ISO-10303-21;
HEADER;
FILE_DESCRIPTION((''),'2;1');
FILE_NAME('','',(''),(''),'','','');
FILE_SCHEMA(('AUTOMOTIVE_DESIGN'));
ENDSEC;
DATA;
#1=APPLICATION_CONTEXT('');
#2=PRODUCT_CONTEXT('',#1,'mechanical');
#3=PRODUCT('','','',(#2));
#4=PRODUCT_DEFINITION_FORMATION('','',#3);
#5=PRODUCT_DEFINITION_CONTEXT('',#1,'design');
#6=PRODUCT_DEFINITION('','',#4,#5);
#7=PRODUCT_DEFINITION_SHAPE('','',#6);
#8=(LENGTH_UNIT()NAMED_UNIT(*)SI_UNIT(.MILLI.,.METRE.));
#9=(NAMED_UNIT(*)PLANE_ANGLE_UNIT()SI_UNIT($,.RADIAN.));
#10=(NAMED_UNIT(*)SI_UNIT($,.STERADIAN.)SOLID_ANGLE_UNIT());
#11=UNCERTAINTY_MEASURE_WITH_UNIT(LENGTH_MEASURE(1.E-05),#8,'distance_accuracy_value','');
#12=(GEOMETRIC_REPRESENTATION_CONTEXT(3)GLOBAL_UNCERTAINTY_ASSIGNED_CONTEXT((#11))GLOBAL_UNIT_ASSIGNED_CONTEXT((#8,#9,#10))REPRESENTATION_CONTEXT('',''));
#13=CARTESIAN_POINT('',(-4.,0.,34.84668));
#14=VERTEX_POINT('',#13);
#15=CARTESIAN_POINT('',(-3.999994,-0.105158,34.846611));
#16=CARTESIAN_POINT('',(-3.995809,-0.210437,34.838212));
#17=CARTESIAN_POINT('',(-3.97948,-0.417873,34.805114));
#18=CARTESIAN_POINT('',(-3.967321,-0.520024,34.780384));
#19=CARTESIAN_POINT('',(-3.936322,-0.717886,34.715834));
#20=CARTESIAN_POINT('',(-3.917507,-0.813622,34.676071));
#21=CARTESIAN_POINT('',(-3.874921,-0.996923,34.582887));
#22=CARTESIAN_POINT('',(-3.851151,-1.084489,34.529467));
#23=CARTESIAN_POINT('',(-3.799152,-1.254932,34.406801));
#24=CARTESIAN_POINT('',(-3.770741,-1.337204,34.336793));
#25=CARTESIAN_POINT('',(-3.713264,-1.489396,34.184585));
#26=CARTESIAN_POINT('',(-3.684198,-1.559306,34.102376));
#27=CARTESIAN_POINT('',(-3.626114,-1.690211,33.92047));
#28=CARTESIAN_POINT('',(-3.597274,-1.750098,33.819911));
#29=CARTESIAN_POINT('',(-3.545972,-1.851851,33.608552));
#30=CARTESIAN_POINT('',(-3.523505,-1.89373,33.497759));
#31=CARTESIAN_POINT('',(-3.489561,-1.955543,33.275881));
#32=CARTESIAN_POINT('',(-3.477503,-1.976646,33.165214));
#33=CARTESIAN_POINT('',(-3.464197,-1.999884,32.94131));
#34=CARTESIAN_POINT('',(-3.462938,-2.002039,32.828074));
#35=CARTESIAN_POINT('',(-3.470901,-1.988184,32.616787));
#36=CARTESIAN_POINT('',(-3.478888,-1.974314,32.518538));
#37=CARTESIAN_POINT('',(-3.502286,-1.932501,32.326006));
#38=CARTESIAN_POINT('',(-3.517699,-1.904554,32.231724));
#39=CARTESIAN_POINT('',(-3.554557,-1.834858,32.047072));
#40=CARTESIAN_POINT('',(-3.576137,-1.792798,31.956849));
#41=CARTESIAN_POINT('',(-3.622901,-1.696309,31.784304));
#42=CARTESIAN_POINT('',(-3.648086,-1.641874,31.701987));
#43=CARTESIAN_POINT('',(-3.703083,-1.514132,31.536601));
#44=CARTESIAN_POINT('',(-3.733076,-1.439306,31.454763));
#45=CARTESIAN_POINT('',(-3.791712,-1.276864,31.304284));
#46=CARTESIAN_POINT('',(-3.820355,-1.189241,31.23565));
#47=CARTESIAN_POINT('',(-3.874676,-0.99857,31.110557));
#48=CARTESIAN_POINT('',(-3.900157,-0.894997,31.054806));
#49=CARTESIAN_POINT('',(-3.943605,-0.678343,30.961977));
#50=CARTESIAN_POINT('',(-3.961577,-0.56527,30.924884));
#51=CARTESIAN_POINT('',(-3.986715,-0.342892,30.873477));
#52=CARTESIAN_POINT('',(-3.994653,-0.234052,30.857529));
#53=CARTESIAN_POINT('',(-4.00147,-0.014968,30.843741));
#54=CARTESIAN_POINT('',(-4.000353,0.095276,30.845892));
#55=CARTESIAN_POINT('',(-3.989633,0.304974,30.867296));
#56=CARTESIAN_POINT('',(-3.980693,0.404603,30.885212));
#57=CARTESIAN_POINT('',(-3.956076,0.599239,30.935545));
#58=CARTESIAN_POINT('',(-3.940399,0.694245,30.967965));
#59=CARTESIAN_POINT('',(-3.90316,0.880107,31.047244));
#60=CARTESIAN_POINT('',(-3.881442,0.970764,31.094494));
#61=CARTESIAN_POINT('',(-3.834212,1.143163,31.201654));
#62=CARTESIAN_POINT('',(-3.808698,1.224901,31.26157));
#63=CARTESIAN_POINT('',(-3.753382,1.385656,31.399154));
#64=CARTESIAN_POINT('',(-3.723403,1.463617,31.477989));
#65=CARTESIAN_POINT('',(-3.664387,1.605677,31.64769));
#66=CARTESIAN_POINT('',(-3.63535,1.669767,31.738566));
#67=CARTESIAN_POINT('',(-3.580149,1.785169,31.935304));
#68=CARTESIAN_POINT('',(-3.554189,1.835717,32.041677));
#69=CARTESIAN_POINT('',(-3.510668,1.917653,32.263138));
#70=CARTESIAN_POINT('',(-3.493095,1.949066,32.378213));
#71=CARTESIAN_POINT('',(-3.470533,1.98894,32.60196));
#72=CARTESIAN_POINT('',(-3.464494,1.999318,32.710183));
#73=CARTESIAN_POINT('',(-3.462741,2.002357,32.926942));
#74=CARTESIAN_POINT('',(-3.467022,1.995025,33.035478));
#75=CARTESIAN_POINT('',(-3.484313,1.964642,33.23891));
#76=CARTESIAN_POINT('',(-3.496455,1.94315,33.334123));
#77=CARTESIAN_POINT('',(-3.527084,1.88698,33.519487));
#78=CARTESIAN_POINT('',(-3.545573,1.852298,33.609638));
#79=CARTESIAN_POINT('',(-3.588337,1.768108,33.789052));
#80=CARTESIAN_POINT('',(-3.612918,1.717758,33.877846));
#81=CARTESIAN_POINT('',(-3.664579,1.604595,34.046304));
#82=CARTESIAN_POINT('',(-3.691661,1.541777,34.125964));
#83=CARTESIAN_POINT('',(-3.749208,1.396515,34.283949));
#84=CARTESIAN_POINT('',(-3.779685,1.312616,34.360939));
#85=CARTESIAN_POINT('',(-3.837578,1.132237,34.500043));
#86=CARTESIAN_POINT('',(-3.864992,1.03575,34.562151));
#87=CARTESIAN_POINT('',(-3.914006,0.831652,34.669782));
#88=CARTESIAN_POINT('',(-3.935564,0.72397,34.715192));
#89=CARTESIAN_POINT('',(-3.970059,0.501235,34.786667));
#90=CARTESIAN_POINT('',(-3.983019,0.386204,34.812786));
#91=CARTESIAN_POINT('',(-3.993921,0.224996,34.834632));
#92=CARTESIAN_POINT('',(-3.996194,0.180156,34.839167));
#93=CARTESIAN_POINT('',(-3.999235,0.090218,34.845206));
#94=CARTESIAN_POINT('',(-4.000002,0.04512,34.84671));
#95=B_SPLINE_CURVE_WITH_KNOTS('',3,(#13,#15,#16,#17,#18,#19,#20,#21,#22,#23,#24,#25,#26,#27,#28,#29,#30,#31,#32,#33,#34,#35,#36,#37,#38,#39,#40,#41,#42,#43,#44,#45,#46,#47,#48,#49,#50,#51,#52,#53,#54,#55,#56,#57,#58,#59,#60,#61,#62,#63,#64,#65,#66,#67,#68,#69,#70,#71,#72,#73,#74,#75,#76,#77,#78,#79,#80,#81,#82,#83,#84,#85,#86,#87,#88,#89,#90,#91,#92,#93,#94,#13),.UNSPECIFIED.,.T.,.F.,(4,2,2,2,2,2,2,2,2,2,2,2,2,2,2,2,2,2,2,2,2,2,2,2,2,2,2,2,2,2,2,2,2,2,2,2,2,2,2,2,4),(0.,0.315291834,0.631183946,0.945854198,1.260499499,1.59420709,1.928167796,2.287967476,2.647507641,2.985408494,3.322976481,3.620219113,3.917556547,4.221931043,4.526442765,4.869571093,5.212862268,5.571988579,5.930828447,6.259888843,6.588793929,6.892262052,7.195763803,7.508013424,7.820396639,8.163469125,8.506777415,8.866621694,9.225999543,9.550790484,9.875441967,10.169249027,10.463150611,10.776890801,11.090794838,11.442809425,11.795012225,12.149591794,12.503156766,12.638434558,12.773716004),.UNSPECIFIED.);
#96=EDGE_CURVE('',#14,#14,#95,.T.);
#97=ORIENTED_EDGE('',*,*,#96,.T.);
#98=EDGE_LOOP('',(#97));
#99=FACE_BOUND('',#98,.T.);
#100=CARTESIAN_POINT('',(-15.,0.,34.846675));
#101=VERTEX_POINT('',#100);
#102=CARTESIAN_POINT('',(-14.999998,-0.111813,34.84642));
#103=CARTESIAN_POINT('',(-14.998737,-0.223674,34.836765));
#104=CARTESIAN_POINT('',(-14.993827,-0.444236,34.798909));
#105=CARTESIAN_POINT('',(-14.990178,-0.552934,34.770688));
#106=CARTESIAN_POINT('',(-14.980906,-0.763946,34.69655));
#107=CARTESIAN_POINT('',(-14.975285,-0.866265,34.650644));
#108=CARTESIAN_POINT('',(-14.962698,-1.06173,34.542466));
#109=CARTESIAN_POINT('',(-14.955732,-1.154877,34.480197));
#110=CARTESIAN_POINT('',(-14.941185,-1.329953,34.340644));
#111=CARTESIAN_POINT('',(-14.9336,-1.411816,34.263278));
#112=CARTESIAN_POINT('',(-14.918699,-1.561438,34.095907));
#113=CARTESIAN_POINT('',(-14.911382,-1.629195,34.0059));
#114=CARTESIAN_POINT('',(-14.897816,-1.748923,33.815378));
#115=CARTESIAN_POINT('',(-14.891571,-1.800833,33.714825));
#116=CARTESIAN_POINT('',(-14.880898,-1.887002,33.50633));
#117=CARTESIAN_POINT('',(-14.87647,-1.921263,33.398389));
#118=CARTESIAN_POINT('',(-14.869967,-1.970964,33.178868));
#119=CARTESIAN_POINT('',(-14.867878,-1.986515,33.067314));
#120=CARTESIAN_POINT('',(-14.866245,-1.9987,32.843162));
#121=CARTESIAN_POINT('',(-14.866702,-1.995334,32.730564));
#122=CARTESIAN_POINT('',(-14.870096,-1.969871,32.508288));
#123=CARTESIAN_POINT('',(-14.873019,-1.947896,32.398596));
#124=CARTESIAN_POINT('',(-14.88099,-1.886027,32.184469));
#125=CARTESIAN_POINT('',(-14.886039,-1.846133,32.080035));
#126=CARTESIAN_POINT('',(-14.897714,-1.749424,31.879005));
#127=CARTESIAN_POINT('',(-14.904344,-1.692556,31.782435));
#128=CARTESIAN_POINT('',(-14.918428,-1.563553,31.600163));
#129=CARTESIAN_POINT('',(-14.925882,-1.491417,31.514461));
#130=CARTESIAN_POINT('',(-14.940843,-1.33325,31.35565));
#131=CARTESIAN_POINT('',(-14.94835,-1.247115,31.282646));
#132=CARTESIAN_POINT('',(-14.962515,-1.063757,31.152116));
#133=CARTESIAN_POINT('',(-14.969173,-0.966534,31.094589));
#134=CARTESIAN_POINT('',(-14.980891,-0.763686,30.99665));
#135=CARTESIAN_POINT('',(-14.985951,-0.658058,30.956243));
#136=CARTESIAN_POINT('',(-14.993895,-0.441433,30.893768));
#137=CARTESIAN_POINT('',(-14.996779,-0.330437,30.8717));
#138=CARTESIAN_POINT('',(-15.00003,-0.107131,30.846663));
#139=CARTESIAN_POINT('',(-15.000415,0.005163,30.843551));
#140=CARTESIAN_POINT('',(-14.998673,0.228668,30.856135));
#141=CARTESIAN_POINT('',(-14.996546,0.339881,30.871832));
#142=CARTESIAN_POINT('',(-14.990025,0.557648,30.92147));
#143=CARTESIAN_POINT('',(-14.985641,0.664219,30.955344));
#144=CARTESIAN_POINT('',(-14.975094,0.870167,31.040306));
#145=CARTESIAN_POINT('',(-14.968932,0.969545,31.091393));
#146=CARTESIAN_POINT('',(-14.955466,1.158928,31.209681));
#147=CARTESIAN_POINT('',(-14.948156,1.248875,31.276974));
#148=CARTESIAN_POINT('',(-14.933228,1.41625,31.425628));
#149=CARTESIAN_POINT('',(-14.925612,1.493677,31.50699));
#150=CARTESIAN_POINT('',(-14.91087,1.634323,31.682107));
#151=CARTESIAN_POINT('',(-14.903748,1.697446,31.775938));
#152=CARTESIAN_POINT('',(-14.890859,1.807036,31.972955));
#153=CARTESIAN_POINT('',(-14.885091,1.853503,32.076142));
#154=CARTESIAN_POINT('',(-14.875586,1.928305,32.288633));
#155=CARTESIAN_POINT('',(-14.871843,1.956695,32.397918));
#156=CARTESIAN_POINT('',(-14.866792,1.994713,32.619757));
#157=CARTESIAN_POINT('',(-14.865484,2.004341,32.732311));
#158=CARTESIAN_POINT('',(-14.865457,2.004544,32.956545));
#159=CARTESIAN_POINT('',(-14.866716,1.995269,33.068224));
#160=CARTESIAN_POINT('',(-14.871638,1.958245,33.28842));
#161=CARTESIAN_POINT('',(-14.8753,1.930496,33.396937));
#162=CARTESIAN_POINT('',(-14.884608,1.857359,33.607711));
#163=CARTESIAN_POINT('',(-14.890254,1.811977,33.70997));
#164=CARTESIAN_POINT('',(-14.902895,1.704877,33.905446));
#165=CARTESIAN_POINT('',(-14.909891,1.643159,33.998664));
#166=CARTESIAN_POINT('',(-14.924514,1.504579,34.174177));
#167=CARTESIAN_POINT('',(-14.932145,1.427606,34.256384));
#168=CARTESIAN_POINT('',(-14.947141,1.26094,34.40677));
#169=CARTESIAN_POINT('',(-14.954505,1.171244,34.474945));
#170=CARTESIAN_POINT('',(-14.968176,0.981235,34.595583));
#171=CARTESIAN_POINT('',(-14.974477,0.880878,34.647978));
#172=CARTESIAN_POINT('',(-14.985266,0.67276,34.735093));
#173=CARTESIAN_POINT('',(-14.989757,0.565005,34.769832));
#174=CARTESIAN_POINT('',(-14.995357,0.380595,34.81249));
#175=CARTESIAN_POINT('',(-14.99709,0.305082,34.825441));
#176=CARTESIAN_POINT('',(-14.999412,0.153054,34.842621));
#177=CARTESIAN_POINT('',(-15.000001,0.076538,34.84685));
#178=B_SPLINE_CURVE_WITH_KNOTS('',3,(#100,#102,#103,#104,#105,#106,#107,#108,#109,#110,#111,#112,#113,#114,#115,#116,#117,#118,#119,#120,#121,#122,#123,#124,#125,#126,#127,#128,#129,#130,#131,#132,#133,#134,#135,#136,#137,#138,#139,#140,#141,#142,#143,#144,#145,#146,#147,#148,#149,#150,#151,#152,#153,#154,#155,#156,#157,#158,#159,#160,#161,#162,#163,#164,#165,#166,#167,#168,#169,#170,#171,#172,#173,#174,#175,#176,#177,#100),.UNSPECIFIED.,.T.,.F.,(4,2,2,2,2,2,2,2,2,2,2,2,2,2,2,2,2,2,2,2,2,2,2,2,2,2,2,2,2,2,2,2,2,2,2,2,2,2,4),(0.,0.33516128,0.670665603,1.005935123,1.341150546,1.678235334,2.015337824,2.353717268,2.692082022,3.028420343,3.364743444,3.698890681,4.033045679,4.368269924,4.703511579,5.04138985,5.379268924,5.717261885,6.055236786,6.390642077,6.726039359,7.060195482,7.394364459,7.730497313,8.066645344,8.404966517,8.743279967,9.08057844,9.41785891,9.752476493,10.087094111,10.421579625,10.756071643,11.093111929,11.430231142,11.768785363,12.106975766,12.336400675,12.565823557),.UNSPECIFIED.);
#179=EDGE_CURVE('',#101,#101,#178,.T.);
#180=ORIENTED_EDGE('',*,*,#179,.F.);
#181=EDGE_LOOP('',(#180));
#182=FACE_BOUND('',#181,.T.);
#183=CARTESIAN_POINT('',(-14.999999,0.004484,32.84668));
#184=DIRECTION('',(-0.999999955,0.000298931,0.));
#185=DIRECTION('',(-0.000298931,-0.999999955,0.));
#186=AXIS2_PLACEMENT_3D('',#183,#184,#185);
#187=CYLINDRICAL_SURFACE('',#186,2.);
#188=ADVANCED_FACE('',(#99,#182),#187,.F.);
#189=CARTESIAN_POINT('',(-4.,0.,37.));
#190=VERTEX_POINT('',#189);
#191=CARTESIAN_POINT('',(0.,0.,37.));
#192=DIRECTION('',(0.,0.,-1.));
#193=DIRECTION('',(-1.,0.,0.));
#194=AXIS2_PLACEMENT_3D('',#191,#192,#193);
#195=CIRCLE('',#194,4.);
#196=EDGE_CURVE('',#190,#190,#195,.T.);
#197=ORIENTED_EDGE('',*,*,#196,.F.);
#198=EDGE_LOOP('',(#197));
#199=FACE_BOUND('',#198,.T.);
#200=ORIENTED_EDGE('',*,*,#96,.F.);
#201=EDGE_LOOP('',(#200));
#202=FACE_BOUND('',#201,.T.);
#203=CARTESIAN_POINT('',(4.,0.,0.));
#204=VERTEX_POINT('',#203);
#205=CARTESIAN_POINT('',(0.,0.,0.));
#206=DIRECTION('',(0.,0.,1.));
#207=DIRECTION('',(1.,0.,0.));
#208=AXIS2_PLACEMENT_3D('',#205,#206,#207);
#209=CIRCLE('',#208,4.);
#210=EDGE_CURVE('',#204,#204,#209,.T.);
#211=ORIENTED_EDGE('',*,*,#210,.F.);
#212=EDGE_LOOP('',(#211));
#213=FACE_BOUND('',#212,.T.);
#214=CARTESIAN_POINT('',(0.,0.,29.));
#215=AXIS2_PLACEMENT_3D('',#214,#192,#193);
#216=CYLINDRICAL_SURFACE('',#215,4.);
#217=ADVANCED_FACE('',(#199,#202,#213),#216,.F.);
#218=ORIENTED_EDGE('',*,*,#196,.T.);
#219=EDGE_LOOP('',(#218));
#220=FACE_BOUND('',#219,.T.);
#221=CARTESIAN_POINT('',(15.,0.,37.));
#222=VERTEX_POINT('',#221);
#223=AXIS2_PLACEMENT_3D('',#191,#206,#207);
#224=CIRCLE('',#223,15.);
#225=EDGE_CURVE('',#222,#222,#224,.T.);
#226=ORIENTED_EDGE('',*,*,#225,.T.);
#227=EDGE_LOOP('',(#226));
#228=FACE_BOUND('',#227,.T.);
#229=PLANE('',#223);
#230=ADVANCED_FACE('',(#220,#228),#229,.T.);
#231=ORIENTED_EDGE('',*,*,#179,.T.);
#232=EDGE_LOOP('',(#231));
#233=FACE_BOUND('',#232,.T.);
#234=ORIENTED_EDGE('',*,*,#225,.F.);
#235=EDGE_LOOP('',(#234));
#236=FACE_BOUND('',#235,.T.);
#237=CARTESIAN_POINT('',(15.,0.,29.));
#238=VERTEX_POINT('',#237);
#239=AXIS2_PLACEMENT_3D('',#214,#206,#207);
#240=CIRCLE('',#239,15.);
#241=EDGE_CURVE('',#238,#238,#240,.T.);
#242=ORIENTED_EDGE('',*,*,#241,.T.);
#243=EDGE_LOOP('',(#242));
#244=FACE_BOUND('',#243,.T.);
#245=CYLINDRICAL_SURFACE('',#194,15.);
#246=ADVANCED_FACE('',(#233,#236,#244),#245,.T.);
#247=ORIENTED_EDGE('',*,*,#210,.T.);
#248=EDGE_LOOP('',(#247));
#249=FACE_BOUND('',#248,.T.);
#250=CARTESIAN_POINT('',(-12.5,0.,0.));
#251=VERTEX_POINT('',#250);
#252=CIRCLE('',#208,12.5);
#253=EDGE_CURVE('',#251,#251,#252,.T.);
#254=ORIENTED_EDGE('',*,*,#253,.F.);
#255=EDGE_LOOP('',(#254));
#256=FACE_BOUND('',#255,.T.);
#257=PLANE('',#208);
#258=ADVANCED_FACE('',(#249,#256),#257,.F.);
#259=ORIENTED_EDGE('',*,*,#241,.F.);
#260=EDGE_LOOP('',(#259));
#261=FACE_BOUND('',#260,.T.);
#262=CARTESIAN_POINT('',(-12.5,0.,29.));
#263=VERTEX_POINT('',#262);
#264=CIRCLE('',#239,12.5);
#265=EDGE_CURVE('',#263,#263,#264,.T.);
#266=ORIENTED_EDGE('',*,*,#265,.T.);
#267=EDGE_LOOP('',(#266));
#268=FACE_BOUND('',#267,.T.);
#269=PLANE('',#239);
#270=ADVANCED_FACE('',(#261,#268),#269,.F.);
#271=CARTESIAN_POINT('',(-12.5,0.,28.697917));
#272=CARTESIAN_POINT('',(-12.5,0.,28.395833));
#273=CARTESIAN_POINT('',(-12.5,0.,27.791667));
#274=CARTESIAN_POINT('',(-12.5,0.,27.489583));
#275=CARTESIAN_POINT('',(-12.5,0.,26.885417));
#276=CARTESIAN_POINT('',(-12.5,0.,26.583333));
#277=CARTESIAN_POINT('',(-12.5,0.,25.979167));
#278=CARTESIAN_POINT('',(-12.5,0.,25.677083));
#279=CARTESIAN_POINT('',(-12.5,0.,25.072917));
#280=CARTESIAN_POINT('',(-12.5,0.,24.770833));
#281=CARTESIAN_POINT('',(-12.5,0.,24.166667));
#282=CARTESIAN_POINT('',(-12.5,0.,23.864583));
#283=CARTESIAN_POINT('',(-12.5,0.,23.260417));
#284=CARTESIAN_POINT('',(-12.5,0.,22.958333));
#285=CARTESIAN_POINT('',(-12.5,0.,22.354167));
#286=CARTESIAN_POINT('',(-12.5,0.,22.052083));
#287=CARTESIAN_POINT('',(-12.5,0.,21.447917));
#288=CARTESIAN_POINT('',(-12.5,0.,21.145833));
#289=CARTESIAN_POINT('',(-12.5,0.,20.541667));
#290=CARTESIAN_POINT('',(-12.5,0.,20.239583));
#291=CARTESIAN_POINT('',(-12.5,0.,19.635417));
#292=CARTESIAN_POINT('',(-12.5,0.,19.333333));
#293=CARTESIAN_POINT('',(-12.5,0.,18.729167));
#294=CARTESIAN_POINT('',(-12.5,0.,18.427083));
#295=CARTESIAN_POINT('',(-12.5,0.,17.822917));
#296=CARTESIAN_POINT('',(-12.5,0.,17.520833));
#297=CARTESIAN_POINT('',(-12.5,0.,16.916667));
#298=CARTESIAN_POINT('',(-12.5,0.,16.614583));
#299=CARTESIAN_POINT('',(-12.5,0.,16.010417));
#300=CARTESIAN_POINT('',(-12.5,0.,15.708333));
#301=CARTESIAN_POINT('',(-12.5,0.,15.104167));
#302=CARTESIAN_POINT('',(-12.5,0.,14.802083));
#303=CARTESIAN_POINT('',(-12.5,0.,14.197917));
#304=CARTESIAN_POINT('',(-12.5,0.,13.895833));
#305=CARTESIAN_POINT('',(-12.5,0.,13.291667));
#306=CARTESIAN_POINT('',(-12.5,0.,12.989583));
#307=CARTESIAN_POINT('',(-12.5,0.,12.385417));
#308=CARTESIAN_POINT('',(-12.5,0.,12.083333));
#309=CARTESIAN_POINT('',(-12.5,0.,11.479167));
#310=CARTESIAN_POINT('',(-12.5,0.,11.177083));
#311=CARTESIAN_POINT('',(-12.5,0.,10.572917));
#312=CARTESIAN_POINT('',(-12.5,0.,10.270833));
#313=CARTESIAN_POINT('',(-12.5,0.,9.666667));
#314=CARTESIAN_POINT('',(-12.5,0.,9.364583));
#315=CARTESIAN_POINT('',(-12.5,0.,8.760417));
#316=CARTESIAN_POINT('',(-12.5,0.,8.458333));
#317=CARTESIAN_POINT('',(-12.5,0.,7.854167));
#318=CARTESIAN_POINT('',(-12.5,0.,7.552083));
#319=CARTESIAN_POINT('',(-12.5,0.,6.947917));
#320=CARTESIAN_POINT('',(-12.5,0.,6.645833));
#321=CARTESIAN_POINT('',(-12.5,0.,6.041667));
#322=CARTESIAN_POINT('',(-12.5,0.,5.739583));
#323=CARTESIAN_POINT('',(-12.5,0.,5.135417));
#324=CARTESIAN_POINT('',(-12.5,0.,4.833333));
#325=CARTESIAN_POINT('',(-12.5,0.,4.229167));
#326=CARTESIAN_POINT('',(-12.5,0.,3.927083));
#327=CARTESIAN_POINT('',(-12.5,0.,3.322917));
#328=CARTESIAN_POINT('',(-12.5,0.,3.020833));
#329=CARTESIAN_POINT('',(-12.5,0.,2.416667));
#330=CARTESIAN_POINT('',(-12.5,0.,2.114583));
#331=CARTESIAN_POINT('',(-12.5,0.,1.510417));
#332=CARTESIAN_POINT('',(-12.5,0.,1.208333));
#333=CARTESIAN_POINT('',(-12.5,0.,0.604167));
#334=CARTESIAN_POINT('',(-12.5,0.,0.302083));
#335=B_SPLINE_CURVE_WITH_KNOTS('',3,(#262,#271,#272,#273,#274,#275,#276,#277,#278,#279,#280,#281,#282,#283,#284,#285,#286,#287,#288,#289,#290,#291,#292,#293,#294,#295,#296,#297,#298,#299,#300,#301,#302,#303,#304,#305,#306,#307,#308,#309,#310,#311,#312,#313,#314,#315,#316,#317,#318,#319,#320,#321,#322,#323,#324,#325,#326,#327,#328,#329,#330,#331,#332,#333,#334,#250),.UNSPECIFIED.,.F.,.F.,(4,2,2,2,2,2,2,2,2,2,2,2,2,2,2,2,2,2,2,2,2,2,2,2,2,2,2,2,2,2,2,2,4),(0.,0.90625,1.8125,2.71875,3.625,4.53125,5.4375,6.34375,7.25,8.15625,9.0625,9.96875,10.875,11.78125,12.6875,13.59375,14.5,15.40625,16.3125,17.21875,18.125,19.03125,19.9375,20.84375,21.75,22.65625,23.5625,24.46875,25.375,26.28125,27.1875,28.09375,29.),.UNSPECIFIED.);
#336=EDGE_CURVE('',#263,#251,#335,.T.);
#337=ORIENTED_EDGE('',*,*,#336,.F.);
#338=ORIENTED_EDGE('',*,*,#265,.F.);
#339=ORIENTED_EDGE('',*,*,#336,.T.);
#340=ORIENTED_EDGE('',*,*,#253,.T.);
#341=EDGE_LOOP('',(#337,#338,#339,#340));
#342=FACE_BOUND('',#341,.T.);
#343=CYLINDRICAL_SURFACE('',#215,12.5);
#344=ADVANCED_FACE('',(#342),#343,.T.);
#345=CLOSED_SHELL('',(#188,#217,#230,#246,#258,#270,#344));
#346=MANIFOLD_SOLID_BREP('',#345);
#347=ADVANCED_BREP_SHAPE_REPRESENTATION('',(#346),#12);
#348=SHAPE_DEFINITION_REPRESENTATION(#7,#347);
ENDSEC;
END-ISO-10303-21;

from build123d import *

# Parameters (mm, degrees)
SKETCH1_R                  = 12.5
SKETCH1_R_2                = 4
BOSS_EXTRUDE1_DEPTH        = 29
SKETCH2_R                  = 15
BOSS_EXTRUDE2_DEPTH        = 8
SKETCH3_R                  = 4
CUT_EXTRUDE2_DEPTH         = 43.649736224
F_4_0MM_DOWEL_HOLE1_REACH  = 48.947
F_4_0MM_DOWEL_HOLE1_BORE_R = 2


with BuildPart() as part:
    # Sketch1 → Boss-Extrude1 (new body)
    with BuildSketch(Plane.XY):
        with Locations(Location((0, 0, 0), (0, 0, 180))):
            Circle(SKETCH1_R)
        with Locations(Location((0, 0, 0), (0, 0, 180))):
            Circle(SKETCH1_R_2, mode=Mode.SUBTRACT)
    extrude(amount=BOSS_EXTRUDE1_DEPTH)

    # Sketch2 → Boss-Extrude2 (add)
    with BuildSketch(Plane.XY.offset(29)):
        Circle(SKETCH2_R)
    extrude(amount=BOSS_EXTRUDE2_DEPTH)

    # Sketch3 → Cut-Extrude2 (cut, through all)
    with BuildSketch(Plane(origin=(0, 0, 0), x_dir=(-1, 0, 0), z_dir=(0, 0, -1))):
        Circle(SKETCH3_R)
    extrude(amount=-CUT_EXTRUDE2_DEPTH, mode=Mode.SUBTRACT)

    # Ø4.0mm Dowel Hole1 bore (on position points) → Ø4.0mm Dowel Hole1 (cut, up to next)
    with BuildSketch(Plane(origin=(-14.99999933, 0.004483968, 32.846680342), x_dir=(-0.000298931176, -0.99999995532, 0), z_dir=(-0.99999995532, 0.000298931176, 0)), mode=Mode.PRIVATE) as f_4_0mm_dowel_hole1_sk1:
        Circle(F_4_0MM_DOWEL_HOLE1_BORE_R)
    f_4_0mm_dowel_hole1_tool1 = extrude(f_4_0mm_dowel_hole1_sk1.sketch, amount=-F_4_0MM_DOWEL_HOLE1_REACH, mode=Mode.PRIVATE) & part.part
    add(f_4_0mm_dowel_hole1_tool1.solids().sort_by_distance((-14.999999, 0.004484, 32.84668))[0], mode=Mode.SUBTRACT)


solid = part.part
